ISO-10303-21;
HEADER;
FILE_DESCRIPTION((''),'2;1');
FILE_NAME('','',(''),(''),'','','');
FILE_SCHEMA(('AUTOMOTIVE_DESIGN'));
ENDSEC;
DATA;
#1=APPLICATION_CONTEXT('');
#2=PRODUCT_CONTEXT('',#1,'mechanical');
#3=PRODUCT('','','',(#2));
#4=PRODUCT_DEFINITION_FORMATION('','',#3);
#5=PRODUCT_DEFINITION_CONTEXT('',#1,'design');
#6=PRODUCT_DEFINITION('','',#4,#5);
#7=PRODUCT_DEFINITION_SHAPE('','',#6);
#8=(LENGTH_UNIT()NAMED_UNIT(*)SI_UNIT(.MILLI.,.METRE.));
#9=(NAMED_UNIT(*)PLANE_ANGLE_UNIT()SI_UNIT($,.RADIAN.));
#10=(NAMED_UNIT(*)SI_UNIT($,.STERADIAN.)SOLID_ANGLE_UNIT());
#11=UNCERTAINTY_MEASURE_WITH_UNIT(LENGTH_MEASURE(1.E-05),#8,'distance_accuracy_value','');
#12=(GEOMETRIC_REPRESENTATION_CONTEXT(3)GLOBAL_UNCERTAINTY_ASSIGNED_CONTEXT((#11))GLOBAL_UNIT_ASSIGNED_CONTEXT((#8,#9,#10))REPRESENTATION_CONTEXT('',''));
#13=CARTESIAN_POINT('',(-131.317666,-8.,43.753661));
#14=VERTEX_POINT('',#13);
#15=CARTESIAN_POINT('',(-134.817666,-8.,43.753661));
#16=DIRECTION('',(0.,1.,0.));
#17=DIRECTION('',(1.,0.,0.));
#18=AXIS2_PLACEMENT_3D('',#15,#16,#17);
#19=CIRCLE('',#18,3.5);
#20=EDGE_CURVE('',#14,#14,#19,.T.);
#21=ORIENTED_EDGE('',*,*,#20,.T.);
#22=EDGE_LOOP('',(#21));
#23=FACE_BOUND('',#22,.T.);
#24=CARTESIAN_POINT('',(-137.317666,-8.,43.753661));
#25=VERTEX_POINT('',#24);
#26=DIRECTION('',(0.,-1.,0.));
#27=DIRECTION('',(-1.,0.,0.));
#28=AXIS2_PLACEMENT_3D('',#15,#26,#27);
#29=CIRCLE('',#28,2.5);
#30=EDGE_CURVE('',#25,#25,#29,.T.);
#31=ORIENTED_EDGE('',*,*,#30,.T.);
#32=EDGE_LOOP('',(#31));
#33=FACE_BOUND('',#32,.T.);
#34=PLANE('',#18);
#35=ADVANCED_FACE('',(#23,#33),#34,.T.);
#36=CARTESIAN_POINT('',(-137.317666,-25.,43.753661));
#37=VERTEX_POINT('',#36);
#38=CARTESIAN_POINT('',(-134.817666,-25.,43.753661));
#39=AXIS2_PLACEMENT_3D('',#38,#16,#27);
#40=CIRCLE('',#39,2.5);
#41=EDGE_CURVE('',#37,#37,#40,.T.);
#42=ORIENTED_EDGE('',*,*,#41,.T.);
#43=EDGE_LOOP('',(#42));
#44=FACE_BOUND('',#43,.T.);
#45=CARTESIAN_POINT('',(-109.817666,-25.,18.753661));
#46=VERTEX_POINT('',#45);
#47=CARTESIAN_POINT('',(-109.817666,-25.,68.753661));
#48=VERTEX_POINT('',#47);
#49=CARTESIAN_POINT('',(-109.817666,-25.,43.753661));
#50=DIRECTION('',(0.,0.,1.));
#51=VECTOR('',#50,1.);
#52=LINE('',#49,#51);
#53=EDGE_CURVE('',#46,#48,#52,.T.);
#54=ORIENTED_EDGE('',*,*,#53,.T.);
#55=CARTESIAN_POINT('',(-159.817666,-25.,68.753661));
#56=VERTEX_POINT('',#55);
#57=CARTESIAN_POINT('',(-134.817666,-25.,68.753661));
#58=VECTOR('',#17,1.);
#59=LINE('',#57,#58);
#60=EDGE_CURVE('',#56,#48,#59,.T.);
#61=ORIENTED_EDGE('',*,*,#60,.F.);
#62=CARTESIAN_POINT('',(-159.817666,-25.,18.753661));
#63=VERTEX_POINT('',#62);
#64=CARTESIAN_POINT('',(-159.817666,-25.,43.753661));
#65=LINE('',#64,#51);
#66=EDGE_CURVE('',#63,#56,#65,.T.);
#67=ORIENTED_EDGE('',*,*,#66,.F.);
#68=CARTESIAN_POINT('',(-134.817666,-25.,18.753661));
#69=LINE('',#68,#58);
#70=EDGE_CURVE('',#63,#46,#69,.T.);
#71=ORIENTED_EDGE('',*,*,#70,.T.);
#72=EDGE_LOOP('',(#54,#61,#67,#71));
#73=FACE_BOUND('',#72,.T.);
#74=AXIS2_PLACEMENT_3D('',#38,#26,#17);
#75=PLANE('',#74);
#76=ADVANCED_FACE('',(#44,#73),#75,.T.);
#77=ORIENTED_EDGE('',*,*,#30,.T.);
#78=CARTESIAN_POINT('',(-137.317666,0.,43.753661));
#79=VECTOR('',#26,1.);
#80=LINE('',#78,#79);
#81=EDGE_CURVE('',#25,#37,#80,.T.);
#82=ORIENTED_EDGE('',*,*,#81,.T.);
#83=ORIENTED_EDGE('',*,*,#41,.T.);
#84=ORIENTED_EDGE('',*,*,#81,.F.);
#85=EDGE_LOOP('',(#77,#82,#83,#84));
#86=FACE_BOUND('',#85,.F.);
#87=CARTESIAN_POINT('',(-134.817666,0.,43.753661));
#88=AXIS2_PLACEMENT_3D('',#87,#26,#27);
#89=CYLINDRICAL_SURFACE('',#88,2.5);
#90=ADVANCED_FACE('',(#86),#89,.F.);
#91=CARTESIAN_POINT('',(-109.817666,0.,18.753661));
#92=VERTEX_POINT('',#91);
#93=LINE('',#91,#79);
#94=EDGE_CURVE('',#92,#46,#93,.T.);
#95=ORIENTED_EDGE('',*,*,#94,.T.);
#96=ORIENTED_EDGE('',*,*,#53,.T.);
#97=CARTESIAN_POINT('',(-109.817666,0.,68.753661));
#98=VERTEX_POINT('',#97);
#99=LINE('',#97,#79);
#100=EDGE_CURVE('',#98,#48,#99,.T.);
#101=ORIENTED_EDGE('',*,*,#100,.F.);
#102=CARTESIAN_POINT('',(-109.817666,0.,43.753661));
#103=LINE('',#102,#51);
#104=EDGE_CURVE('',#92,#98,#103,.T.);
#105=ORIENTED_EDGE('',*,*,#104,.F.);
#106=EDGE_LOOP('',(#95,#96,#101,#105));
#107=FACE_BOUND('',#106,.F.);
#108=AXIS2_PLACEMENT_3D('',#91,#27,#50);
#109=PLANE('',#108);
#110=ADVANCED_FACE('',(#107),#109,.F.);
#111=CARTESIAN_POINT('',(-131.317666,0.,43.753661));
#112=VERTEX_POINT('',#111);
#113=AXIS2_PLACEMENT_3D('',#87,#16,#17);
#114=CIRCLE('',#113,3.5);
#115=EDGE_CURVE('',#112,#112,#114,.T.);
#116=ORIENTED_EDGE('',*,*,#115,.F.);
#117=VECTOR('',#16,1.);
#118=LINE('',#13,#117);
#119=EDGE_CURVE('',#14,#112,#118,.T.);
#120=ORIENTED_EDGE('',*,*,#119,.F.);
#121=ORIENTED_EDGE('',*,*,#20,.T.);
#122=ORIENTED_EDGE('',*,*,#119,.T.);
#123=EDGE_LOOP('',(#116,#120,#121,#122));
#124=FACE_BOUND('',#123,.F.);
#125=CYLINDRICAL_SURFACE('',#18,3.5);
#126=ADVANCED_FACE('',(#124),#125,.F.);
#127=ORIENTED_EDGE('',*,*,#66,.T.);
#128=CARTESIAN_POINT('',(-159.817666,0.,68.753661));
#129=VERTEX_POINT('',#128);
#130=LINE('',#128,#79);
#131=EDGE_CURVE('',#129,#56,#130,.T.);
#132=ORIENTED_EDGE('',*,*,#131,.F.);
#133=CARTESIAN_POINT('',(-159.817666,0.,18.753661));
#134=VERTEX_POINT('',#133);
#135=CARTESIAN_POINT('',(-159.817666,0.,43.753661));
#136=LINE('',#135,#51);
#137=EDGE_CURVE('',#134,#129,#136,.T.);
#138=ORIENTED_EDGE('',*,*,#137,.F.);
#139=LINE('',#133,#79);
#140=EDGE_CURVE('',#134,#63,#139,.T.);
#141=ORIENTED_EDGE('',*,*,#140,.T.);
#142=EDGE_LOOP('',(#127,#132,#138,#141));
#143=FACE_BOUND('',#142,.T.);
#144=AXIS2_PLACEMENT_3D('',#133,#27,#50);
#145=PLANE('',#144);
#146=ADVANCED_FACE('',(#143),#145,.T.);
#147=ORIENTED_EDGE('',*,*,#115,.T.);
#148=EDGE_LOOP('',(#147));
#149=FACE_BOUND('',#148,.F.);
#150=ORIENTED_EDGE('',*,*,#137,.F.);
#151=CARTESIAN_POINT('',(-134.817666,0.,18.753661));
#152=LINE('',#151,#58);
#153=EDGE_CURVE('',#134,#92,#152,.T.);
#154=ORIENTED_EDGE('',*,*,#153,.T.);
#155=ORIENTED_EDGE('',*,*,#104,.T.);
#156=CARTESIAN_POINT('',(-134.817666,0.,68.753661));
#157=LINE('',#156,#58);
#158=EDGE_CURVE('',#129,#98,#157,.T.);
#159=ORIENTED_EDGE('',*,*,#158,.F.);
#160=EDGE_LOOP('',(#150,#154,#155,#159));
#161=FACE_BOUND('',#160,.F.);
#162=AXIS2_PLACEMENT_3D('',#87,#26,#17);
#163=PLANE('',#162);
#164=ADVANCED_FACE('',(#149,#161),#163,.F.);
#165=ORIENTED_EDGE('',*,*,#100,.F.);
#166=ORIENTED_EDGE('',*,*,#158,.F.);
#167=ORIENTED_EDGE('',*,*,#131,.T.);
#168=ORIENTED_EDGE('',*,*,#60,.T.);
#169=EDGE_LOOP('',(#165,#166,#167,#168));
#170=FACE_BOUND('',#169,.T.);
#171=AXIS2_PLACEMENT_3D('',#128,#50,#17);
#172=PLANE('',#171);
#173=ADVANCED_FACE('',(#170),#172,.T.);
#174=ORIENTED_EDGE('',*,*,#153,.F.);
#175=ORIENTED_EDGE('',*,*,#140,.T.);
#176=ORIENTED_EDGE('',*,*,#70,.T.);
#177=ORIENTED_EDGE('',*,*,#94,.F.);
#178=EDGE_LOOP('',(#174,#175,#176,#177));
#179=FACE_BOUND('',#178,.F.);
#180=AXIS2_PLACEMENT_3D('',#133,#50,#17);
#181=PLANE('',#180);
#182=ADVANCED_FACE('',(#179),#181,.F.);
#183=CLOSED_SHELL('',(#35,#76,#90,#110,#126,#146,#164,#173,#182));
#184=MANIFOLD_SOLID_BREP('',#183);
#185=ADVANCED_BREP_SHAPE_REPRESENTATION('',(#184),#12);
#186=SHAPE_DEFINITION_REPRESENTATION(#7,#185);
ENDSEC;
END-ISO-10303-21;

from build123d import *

# Parameters (mm, degrees)
F0_W           = 50
F0_H           = 50
F1_DEPTH       = 25
F3_D           = 5
F3_DEPTH       = 25
F3_CBORE_D     = 7
F3_CBORE_DEPTH = 8
F3_TIP         = 1.5021515476


with BuildPart() as f1:
    # F0 (on Front) → F1 (new body)
    with BuildSketch(Plane.XZ):
        with Locations((-134.8176662957, 43.7536612153)):
            Rectangle(F0_W, F0_H)
    extrude(amount=F1_DEPTH)

    # F3
    with Locations(Plane(origin=(0, 0, 0), x_dir=(1, 0, 0), z_dir=(0, 1, 0))):
        with Locations((-134.8176662957, -43.7536612153)):
            CounterBoreHole(F3_D / 2, F3_CBORE_D / 2, F3_CBORE_DEPTH, depth=F3_DEPTH)
            with Locations((0, 0, -(F3_DEPTH + F3_TIP / 2))):  # 118° drill point
                Cone(0, F3_D / 2, F3_TIP, mode=Mode.SUBTRACT)


solid = f1.part
